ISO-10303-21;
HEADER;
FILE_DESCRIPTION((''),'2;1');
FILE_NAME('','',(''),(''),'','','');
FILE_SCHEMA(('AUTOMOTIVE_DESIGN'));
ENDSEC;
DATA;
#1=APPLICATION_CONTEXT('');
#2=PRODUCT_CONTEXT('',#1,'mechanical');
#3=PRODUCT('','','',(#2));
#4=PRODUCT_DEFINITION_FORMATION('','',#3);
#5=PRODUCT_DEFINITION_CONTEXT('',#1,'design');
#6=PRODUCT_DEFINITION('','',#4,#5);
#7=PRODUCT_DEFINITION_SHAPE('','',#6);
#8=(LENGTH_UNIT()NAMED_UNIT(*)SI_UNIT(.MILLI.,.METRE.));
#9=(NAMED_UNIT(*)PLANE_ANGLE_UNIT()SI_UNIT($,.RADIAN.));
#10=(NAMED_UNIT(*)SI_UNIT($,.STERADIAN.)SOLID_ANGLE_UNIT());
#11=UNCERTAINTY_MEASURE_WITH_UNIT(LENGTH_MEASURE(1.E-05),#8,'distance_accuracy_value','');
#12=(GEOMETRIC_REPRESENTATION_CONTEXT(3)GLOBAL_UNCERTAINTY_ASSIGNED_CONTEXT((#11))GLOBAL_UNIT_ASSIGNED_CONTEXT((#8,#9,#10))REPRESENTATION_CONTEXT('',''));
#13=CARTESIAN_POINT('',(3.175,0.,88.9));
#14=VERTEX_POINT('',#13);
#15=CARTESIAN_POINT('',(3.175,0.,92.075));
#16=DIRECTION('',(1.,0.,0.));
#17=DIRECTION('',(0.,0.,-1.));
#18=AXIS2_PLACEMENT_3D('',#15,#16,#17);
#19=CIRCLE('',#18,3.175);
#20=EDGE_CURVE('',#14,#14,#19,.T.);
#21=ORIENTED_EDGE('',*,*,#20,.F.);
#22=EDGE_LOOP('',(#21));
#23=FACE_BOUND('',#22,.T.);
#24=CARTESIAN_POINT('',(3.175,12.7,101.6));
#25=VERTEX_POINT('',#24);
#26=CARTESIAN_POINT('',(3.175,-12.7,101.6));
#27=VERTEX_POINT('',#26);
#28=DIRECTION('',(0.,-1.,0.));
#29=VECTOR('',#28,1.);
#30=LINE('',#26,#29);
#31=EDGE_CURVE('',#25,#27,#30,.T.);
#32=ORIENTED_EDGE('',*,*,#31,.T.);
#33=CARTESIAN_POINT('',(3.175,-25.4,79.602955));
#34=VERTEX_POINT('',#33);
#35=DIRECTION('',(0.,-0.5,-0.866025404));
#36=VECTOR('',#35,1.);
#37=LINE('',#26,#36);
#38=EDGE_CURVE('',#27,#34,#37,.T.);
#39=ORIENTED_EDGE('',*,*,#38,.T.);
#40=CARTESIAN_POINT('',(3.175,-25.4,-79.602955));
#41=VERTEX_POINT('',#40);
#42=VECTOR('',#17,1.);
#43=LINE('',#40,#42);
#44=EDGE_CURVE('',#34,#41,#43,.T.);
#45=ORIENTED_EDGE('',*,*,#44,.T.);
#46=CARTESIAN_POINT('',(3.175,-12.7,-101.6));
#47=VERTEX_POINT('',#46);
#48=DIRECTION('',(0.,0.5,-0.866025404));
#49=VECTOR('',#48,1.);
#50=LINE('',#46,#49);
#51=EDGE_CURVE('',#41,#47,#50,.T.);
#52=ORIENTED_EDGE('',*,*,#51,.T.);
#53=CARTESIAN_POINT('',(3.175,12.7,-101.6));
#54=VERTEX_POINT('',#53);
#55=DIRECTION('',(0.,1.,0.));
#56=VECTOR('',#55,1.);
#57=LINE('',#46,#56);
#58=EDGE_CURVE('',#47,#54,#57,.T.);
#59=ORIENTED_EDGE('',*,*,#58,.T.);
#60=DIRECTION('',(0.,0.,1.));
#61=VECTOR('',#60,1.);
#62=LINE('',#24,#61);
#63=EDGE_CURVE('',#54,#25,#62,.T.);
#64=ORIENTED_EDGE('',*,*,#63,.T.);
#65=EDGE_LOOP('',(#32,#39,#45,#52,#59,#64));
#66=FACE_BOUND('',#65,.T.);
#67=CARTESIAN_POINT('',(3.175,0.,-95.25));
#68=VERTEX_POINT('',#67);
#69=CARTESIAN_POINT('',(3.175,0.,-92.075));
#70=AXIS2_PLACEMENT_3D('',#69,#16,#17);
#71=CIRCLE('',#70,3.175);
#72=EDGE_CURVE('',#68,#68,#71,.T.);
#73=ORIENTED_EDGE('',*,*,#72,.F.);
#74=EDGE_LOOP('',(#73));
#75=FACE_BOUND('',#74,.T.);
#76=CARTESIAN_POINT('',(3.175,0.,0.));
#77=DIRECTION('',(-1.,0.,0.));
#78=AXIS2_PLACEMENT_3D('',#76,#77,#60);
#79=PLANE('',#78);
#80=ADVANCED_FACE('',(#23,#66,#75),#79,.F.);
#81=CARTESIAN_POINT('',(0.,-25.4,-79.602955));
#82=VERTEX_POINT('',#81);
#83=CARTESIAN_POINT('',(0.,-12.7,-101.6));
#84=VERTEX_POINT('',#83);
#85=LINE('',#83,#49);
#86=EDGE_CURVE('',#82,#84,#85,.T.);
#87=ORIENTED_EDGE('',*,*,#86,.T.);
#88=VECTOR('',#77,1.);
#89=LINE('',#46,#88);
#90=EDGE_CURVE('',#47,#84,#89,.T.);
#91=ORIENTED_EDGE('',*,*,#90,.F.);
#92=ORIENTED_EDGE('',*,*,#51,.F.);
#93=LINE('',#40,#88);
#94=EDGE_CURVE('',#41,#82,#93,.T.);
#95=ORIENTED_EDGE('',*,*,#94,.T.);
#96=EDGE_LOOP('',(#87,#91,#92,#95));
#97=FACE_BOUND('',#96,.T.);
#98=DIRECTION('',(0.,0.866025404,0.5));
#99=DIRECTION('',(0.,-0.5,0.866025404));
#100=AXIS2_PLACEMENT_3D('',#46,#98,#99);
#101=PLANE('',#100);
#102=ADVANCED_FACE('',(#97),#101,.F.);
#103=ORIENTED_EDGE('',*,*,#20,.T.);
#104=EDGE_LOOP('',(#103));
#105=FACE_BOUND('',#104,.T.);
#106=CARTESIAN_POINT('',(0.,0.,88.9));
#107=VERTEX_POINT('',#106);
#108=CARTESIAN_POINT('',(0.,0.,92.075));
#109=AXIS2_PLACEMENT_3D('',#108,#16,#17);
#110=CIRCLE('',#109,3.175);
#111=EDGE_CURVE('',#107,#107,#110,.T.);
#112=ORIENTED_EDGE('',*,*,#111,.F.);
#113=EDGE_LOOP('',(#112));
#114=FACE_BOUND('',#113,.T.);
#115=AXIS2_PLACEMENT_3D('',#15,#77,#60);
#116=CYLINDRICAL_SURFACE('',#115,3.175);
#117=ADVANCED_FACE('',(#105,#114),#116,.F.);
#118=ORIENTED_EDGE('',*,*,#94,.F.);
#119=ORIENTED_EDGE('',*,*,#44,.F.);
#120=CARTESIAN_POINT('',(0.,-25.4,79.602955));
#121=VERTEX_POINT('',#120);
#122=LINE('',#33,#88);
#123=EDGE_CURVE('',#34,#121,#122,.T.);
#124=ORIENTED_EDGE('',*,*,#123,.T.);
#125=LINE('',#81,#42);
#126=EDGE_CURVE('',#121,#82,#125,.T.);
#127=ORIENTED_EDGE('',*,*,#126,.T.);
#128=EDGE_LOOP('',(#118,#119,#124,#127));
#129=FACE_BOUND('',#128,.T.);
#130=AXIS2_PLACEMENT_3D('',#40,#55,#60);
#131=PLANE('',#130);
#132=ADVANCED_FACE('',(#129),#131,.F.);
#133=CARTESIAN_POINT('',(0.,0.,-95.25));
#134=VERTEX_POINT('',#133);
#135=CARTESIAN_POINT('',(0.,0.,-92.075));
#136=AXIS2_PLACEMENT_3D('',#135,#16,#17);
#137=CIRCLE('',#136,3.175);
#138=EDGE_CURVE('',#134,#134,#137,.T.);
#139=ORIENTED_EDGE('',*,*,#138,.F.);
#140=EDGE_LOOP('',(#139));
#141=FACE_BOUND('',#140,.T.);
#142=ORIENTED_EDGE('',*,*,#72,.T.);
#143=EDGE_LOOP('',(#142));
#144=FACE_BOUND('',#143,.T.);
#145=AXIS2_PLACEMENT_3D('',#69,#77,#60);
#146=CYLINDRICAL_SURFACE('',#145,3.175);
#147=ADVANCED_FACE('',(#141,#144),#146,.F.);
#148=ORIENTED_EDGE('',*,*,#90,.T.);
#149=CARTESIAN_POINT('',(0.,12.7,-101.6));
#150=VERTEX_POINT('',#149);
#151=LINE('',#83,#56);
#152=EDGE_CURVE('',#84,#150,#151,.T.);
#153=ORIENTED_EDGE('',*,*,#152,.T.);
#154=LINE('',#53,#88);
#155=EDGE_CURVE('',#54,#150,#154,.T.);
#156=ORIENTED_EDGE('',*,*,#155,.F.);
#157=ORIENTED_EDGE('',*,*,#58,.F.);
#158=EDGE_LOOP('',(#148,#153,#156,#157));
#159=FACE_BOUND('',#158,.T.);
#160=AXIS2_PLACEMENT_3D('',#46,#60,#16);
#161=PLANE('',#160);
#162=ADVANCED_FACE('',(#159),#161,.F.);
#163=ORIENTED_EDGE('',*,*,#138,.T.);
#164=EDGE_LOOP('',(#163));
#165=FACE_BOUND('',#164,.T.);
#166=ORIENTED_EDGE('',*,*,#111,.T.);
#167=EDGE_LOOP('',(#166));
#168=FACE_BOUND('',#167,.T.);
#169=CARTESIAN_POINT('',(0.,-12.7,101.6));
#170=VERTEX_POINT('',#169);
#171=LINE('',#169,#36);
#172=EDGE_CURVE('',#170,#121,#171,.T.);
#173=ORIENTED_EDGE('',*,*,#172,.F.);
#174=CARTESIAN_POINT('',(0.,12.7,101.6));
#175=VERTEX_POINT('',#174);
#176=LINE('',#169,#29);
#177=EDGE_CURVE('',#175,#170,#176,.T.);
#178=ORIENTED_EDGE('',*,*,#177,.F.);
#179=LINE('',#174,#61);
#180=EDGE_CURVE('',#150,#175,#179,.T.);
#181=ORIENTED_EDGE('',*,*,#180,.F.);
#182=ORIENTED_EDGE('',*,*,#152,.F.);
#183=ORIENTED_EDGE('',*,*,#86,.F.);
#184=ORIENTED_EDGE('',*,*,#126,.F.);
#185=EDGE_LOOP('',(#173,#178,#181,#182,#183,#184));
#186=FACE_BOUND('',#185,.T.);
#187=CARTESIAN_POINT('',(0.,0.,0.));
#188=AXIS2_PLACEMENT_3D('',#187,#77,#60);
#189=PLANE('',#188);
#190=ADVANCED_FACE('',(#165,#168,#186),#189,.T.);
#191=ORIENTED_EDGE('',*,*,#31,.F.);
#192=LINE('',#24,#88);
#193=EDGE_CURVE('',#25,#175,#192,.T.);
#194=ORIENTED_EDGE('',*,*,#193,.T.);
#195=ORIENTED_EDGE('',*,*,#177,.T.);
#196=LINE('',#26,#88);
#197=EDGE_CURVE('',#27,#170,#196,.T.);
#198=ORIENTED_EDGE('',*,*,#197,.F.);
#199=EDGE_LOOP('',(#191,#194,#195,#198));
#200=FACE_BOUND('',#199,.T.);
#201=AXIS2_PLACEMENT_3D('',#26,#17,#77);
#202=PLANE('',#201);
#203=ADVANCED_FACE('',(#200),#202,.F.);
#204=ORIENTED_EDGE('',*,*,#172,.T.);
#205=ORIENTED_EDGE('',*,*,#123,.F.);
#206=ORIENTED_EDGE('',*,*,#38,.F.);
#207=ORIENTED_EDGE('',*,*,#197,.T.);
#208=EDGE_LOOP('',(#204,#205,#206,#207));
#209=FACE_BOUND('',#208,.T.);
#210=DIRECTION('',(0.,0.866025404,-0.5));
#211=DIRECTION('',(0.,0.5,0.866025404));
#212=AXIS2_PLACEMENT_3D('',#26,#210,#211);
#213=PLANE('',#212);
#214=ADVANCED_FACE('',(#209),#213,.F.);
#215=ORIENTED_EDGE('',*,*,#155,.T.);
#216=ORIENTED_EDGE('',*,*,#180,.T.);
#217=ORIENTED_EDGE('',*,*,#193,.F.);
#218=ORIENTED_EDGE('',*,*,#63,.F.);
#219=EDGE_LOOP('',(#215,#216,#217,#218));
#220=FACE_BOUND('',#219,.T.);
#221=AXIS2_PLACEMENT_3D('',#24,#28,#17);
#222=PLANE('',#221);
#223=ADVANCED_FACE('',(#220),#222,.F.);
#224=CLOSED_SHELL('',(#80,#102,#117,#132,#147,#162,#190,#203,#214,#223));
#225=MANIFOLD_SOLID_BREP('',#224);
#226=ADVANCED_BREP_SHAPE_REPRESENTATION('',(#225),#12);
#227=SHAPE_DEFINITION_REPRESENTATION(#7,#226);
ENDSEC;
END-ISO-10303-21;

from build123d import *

# Parameters (mm, degrees)
SKETCH1_R           = 3.175
BOSS_EXTRUDE1_DEPTH = 3.175


with BuildPart() as part:
    # Sketch1 → Boss-Extrude1 (new body)
    with BuildSketch(Plane(origin=(0, 0, 0), x_dir=(0, 0, -1), z_dir=(1, 0, 0))):
        Polygon((-101.6, -12.7), (-101.6, 12.7), (101.6, 12.7), (101.6, -12.7), (79.602954744, -25.4), (-79.602954744, -25.4), align=None)
        with Locations((-92.075, 0)):
            Circle(SKETCH1_R, mode=Mode.SUBTRACT)
        with Locations((92.075, 0)):
            Circle(SKETCH1_R, mode=Mode.SUBTRACT)
    extrude(amount=BOSS_EXTRUDE1_DEPTH)


solid = part.part
